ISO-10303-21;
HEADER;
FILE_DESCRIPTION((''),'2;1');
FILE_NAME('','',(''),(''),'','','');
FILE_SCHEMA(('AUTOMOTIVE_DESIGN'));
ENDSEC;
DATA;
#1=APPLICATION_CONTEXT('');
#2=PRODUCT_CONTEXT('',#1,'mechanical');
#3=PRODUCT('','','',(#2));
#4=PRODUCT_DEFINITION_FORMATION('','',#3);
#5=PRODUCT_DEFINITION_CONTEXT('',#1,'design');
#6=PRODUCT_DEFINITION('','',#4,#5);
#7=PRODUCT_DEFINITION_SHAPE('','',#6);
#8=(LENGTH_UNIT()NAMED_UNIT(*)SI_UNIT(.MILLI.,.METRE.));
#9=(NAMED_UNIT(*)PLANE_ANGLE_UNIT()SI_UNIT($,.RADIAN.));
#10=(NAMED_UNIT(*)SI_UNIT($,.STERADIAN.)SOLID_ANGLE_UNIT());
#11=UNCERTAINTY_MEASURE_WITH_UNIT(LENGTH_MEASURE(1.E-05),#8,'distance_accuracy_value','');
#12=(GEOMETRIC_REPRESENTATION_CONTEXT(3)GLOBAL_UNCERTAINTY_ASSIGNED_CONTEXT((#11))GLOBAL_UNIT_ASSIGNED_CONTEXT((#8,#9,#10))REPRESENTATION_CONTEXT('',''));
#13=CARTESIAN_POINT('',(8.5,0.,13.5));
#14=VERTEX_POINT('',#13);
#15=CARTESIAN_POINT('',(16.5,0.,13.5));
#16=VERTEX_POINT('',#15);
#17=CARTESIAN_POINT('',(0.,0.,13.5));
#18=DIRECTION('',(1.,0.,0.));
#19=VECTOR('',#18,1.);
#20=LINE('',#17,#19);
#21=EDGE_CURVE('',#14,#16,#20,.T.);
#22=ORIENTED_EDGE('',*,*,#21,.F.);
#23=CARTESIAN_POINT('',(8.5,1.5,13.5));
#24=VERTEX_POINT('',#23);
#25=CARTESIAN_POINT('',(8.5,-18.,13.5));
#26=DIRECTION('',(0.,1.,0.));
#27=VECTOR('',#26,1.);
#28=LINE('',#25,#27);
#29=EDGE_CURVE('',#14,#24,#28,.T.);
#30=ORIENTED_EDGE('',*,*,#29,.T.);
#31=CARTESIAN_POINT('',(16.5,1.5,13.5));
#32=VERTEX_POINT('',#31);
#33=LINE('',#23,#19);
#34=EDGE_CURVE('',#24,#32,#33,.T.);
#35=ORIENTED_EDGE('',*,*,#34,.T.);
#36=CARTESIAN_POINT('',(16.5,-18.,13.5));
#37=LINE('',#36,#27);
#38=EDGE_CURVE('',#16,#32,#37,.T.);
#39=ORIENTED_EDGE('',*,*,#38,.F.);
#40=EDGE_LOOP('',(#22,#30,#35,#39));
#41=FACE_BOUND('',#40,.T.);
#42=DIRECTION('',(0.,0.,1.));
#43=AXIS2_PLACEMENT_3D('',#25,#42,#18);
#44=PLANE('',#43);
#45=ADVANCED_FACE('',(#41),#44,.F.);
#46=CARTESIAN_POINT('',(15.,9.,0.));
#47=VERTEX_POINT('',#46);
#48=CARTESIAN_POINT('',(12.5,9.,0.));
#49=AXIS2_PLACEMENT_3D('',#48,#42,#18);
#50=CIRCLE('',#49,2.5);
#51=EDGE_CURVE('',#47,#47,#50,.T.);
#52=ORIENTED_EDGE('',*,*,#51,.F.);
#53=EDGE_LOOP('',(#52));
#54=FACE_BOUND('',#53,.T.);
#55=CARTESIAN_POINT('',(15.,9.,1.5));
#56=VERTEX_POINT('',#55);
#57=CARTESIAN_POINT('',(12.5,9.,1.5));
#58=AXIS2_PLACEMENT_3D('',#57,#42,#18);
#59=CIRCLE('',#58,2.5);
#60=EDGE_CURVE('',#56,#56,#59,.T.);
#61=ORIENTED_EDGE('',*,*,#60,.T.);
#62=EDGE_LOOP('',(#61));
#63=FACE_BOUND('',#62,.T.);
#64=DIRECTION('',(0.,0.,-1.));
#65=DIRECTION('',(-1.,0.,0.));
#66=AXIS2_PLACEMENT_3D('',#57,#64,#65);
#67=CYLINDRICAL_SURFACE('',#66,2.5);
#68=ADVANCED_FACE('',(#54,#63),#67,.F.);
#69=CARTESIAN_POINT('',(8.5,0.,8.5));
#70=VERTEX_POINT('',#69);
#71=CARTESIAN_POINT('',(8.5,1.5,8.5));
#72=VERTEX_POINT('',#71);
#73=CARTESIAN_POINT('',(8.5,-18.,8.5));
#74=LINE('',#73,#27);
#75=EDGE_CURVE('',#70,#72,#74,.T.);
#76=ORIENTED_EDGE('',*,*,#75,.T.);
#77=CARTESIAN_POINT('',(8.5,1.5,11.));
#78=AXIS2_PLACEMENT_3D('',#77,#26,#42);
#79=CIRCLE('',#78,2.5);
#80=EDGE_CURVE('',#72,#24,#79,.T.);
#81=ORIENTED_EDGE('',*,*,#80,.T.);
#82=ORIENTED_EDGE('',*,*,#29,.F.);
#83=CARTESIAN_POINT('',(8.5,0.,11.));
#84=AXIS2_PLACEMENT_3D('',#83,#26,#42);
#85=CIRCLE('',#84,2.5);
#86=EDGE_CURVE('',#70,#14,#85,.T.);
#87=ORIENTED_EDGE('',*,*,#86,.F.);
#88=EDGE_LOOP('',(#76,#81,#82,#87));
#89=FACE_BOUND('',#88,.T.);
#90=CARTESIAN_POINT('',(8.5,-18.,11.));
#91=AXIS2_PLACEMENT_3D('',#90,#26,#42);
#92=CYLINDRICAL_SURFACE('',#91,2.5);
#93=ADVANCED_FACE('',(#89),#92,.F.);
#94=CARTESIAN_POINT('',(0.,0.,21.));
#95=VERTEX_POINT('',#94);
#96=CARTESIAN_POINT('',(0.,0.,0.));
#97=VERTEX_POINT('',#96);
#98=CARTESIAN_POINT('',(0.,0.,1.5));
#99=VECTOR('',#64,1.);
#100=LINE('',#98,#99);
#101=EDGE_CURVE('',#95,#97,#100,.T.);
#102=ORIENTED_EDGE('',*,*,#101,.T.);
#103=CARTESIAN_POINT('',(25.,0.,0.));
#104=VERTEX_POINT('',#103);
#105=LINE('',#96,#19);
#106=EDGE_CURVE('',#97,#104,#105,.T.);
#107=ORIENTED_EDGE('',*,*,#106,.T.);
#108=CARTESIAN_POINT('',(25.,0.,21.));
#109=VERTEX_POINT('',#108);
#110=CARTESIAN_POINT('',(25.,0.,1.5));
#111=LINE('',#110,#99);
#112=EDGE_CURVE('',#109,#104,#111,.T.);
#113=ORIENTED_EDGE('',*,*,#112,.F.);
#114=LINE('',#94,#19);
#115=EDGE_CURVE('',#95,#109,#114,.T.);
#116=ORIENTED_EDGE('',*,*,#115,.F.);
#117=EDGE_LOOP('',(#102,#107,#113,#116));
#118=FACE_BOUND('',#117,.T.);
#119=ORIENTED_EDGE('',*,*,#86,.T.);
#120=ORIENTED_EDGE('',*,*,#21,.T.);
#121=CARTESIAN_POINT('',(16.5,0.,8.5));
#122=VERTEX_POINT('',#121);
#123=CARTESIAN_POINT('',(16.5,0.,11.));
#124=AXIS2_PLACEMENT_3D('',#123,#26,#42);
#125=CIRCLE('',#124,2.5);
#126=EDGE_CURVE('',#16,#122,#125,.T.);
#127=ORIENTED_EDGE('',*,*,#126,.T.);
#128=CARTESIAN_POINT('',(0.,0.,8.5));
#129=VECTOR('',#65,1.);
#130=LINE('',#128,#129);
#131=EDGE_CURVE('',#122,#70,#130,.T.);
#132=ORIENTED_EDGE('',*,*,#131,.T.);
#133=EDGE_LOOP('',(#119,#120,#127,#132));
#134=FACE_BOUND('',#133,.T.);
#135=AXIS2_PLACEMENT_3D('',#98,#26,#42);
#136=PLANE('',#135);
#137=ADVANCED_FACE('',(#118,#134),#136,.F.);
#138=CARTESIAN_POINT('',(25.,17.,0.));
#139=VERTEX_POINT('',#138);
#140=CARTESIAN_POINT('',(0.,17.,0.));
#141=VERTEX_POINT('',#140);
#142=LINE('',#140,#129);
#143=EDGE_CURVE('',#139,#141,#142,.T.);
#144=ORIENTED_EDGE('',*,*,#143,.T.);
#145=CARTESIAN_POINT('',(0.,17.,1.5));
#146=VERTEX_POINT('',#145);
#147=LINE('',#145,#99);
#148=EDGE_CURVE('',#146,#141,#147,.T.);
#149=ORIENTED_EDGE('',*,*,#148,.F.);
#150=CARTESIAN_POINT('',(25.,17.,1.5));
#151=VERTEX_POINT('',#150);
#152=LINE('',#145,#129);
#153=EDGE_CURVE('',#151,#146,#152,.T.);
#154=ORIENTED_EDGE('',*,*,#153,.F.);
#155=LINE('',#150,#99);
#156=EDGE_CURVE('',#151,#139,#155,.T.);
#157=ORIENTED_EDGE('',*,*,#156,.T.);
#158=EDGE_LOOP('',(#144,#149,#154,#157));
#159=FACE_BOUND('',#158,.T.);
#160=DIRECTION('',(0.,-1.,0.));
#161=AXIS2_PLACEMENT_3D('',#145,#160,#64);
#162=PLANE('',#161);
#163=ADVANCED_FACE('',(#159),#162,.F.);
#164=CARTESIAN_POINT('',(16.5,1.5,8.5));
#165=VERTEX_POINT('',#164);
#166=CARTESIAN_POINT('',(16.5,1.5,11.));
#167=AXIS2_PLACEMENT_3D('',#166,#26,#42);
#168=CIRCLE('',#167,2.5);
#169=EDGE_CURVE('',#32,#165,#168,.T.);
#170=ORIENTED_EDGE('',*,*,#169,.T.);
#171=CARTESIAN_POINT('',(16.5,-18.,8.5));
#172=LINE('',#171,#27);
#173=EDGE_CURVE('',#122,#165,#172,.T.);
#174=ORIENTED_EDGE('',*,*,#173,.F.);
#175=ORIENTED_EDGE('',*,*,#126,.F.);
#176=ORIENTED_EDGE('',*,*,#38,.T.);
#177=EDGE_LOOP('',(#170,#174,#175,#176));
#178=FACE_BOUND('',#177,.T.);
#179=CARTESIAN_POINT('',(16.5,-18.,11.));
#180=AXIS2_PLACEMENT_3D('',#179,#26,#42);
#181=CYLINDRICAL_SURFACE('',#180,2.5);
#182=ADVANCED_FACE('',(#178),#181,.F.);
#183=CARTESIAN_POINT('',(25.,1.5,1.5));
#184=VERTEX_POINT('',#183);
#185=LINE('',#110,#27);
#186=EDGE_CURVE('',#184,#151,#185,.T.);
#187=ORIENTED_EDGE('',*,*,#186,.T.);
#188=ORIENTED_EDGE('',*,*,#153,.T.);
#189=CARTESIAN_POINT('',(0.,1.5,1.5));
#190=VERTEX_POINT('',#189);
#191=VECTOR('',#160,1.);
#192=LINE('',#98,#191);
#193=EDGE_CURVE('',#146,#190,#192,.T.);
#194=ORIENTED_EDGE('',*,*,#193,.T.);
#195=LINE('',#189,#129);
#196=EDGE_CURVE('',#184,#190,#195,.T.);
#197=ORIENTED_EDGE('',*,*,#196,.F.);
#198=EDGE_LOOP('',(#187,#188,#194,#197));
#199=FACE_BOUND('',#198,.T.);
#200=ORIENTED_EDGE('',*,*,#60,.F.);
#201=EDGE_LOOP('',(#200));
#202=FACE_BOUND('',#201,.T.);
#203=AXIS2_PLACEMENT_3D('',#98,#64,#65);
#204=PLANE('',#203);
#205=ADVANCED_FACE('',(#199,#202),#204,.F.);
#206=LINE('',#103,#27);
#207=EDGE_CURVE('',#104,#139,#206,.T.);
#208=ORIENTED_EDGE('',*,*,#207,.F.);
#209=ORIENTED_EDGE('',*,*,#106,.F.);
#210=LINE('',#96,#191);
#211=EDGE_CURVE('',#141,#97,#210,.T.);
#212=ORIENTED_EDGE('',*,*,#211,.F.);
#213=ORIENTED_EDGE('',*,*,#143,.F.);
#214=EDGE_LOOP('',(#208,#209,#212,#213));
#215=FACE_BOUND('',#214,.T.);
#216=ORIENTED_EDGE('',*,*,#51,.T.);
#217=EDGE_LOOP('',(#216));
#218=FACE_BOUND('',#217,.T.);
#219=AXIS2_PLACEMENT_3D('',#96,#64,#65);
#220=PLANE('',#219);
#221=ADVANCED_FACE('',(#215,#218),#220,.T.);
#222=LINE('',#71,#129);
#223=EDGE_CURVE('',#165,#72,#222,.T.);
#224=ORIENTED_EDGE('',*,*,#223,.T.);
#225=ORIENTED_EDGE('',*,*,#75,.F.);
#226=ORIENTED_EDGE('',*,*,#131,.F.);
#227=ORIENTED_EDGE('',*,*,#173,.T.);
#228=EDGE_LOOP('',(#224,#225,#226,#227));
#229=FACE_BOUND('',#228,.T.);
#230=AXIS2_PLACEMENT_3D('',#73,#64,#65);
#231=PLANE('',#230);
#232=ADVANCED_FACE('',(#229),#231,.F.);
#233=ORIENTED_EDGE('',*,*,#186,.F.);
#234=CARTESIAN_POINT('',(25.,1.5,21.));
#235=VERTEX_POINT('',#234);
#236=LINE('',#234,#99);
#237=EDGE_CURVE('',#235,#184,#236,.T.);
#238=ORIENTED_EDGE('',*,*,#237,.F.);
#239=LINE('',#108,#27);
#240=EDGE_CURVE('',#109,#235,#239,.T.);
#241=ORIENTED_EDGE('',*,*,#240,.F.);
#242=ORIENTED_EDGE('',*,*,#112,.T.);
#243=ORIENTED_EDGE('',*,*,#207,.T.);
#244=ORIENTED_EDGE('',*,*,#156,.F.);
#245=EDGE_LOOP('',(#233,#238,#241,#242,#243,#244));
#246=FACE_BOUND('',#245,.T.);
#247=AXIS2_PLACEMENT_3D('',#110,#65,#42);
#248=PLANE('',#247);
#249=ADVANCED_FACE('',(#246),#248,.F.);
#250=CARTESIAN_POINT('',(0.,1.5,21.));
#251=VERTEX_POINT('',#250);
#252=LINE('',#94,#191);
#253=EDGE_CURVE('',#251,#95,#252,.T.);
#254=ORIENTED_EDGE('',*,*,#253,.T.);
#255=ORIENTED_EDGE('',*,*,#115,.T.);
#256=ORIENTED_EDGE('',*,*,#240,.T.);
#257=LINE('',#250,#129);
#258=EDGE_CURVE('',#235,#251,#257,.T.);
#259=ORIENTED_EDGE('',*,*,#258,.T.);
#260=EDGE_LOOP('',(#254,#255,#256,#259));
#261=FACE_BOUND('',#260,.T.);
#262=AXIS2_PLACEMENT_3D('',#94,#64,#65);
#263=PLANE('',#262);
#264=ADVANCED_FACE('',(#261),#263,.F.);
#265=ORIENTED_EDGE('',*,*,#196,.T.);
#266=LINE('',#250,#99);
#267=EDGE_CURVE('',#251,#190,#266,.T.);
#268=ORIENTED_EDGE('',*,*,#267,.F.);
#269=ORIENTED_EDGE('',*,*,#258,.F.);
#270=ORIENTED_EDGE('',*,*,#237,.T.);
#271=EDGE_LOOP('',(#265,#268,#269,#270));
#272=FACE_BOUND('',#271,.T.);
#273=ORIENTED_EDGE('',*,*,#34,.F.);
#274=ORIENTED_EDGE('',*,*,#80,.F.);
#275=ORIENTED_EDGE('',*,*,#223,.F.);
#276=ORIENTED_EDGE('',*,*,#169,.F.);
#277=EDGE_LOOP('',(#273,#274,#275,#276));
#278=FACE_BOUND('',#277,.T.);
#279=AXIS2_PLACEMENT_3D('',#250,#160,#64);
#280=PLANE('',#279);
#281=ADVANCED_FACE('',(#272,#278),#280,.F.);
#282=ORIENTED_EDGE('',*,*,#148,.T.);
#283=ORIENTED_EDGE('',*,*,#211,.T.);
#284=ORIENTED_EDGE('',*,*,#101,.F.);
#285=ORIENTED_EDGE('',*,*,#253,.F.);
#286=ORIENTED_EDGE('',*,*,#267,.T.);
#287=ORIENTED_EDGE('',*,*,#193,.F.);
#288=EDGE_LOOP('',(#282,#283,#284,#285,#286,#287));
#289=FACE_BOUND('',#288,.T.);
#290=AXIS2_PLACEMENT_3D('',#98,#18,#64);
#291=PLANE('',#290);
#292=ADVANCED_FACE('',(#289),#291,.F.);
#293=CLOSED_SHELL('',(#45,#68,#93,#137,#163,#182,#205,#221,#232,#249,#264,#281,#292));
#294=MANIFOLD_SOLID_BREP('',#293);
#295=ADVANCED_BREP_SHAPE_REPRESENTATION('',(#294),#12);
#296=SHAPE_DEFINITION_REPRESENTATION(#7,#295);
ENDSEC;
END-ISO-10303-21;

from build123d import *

# Parameters (mm, degrees)
SKETCH_1_W          = 25
SKETCH_1_H          = 17
SKETCH_1_R          = 2.5
EXTRUDE_1_DEPTH     = 1.5
SKETCH_2_W          = 25
SKETCH_2_H          = 1.5
EXTRUDE_2_DEPTH     = 19.5
CUT_EXTRUDE_1_DEPTH = 19.5


with BuildPart() as part:
    # 스케치1 → 보스-돌출1 (new body)
    with BuildSketch(Plane.XY):
        with Locations((12.5, 8.5)):
            Rectangle(SKETCH_1_W, SKETCH_1_H)
        with Locations((12.5, 9)):
            Circle(SKETCH_1_R, mode=Mode.SUBTRACT)
    extrude(amount=EXTRUDE_1_DEPTH)

    # 스케치2 → 보스-돌출2 (add)
    with BuildSketch(Plane.XY.offset(1.5)):
        with Locations((12.5, 0.75)):
            Rectangle(SKETCH_2_W, SKETCH_2_H)
    extrude(amount=EXTRUDE_2_DEPTH)

    # 스케치3 → 컷-돌출1 (cut)
    with BuildSketch(Plane(origin=(0, 1.5, 0), x_dir=(1, 0, 0), z_dir=(0, 1, 0))):
        with BuildLine():
            Line((8.5, -8.5), (16.5, -8.5))
            ThreePointArc((16.5, -8.5), (19, -11), (16.5, -13.5))
            Line((16.5, -13.5), (8.5, -13.5))
            ThreePointArc((8.5, -13.5), (6, -11), (8.5, -8.5))
        make_face()
    extrude(amount=-CUT_EXTRUDE_1_DEPTH, mode=Mode.SUBTRACT)


solid = part.part
